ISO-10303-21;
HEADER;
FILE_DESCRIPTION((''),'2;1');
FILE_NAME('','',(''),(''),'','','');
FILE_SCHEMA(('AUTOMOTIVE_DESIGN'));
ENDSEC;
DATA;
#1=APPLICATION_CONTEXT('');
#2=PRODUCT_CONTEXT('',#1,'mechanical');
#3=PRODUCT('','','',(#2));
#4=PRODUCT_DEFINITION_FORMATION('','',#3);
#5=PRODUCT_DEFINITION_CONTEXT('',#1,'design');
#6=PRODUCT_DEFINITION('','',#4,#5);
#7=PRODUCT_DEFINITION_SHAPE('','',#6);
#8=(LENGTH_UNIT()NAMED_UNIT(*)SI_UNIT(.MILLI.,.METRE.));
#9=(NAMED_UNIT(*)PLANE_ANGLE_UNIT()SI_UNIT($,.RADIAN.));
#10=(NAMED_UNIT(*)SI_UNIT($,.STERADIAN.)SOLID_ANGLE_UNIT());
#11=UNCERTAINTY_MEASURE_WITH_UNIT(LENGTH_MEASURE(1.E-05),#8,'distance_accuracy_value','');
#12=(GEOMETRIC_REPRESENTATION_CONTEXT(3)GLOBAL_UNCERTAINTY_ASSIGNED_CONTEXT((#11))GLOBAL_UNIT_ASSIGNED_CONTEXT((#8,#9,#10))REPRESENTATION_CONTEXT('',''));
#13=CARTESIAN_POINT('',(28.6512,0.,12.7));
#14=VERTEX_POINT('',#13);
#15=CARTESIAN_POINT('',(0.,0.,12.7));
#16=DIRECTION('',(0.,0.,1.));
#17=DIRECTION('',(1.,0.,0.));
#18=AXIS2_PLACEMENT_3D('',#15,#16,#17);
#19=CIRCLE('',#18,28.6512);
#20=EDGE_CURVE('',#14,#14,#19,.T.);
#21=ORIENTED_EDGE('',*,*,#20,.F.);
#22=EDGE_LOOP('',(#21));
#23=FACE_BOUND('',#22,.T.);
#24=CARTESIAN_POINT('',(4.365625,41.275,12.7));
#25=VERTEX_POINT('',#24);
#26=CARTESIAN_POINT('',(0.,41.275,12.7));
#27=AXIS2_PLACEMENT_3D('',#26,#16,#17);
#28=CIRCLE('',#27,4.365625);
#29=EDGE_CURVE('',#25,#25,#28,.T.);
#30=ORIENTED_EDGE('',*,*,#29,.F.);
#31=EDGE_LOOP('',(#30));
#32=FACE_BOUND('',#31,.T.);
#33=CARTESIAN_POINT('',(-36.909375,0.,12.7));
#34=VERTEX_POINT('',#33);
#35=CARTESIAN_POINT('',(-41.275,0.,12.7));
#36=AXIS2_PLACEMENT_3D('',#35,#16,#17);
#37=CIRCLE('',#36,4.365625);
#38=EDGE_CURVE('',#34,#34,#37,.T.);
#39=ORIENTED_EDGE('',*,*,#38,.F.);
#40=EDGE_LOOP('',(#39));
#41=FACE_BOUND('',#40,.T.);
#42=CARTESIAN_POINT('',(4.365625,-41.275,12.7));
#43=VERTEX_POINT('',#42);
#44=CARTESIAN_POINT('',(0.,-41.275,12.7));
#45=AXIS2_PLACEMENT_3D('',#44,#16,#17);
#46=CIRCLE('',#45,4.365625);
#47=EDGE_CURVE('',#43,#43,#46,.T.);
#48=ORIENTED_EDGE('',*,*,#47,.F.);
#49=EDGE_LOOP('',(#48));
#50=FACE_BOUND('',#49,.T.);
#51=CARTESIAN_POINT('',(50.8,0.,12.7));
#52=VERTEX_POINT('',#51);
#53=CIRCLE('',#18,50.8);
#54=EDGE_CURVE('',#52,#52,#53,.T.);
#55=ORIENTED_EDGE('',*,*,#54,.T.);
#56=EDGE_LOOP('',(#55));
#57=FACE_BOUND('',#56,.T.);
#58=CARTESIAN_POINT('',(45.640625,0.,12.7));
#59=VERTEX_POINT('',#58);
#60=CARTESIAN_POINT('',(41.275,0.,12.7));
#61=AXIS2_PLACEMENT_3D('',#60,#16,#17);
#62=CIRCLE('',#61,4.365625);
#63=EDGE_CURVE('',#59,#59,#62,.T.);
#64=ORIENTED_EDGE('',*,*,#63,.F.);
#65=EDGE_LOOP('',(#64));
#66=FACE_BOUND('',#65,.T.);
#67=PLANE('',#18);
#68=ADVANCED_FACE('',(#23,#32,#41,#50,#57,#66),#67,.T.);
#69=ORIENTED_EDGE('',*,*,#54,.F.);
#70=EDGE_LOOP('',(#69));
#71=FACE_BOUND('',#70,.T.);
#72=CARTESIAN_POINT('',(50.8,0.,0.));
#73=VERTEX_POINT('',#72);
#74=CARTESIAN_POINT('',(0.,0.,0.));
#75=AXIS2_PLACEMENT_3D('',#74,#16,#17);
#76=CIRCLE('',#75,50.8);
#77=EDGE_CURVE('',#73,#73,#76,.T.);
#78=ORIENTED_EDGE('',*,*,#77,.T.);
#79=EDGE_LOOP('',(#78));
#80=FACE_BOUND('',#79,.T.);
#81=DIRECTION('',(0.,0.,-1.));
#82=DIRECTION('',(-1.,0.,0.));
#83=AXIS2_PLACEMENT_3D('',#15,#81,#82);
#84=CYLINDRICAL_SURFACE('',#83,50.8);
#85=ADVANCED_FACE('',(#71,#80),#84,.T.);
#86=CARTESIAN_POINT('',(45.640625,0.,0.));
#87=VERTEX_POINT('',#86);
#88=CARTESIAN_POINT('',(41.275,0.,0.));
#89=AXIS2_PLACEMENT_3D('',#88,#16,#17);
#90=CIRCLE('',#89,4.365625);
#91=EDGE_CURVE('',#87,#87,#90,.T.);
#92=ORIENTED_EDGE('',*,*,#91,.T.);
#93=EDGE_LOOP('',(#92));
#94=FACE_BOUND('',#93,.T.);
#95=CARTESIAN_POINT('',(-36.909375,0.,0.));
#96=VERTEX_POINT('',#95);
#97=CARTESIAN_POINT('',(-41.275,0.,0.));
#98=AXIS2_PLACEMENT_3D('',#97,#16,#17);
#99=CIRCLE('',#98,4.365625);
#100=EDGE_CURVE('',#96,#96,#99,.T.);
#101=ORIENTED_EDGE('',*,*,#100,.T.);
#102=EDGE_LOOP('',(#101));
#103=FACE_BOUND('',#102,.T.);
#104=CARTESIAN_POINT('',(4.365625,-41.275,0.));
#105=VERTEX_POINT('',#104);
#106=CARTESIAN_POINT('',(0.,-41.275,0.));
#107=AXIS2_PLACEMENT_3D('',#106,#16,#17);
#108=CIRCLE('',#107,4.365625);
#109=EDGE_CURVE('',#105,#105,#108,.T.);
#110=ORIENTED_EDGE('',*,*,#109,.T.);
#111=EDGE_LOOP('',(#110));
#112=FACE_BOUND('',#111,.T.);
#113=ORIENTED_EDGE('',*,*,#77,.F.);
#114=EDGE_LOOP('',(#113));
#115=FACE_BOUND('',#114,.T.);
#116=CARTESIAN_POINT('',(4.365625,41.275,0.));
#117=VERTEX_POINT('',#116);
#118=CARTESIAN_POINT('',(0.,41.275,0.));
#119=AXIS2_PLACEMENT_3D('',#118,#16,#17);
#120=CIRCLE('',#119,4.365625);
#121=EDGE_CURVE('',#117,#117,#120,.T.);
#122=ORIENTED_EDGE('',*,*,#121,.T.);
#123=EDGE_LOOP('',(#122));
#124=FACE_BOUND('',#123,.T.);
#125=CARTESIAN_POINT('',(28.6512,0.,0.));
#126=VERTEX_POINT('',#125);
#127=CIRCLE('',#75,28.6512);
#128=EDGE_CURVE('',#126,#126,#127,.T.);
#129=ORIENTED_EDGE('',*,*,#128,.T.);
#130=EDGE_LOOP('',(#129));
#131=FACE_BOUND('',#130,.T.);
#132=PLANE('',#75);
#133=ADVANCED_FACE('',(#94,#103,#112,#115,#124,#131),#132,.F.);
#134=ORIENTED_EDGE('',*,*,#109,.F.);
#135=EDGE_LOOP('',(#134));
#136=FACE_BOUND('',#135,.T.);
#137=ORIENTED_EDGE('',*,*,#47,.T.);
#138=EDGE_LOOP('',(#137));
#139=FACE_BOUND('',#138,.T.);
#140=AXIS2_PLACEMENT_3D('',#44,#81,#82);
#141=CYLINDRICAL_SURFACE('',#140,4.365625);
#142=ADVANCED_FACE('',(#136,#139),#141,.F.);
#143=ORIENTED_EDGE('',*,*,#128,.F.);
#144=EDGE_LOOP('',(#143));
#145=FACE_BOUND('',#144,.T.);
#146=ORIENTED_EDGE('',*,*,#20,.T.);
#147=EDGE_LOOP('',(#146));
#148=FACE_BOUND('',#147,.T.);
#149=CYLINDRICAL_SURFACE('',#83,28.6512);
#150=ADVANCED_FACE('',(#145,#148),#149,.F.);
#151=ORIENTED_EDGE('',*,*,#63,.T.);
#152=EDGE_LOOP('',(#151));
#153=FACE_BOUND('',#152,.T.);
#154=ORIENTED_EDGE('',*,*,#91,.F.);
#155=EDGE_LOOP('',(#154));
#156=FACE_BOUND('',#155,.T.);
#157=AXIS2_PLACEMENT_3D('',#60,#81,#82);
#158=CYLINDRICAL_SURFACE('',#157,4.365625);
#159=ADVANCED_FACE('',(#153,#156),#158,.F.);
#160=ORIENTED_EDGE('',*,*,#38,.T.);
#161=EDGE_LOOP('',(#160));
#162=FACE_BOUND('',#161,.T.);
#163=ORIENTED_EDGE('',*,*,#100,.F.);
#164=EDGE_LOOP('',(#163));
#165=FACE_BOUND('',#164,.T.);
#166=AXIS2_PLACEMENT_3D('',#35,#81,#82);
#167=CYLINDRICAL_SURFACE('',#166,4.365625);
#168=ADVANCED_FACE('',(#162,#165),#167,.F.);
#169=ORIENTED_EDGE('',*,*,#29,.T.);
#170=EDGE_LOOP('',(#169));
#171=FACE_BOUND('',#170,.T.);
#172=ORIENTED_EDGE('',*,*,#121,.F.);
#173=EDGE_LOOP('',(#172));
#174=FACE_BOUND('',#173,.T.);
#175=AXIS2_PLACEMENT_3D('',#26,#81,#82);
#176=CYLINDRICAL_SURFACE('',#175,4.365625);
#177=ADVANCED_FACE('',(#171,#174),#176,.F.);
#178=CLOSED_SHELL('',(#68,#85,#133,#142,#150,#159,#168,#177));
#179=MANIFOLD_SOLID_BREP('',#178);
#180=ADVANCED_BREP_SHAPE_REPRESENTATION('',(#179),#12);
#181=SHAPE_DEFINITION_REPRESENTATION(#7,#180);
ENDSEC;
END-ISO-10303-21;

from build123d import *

# Parameters (mm, degrees)
SKETCH1_R           = 50.8
SKETCH1_R_2         = 28.6512
SKETCH1_R_3         = 4.365625
BOSS_EXTRUDE1_DEPTH = 12.7


with BuildPart() as part:
    # Sketch1 → Boss-Extrude1 (new body)
    with BuildSketch(Plane.XY):
        Circle(SKETCH1_R)
        Circle(SKETCH1_R_2, mode=Mode.SUBTRACT)
        with Locations((0, 41.275)):
            Circle(SKETCH1_R_3, mode=Mode.SUBTRACT)
        with Locations((41.275, 0)):
            Circle(SKETCH1_R_3, mode=Mode.SUBTRACT)
        with Locations((0, -41.275)):
            Circle(SKETCH1_R_3, mode=Mode.SUBTRACT)
        with Locations((-41.275, 0)):
            Circle(SKETCH1_R_3, mode=Mode.SUBTRACT)
    extrude(amount=BOSS_EXTRUDE1_DEPTH)


solid = part.part
